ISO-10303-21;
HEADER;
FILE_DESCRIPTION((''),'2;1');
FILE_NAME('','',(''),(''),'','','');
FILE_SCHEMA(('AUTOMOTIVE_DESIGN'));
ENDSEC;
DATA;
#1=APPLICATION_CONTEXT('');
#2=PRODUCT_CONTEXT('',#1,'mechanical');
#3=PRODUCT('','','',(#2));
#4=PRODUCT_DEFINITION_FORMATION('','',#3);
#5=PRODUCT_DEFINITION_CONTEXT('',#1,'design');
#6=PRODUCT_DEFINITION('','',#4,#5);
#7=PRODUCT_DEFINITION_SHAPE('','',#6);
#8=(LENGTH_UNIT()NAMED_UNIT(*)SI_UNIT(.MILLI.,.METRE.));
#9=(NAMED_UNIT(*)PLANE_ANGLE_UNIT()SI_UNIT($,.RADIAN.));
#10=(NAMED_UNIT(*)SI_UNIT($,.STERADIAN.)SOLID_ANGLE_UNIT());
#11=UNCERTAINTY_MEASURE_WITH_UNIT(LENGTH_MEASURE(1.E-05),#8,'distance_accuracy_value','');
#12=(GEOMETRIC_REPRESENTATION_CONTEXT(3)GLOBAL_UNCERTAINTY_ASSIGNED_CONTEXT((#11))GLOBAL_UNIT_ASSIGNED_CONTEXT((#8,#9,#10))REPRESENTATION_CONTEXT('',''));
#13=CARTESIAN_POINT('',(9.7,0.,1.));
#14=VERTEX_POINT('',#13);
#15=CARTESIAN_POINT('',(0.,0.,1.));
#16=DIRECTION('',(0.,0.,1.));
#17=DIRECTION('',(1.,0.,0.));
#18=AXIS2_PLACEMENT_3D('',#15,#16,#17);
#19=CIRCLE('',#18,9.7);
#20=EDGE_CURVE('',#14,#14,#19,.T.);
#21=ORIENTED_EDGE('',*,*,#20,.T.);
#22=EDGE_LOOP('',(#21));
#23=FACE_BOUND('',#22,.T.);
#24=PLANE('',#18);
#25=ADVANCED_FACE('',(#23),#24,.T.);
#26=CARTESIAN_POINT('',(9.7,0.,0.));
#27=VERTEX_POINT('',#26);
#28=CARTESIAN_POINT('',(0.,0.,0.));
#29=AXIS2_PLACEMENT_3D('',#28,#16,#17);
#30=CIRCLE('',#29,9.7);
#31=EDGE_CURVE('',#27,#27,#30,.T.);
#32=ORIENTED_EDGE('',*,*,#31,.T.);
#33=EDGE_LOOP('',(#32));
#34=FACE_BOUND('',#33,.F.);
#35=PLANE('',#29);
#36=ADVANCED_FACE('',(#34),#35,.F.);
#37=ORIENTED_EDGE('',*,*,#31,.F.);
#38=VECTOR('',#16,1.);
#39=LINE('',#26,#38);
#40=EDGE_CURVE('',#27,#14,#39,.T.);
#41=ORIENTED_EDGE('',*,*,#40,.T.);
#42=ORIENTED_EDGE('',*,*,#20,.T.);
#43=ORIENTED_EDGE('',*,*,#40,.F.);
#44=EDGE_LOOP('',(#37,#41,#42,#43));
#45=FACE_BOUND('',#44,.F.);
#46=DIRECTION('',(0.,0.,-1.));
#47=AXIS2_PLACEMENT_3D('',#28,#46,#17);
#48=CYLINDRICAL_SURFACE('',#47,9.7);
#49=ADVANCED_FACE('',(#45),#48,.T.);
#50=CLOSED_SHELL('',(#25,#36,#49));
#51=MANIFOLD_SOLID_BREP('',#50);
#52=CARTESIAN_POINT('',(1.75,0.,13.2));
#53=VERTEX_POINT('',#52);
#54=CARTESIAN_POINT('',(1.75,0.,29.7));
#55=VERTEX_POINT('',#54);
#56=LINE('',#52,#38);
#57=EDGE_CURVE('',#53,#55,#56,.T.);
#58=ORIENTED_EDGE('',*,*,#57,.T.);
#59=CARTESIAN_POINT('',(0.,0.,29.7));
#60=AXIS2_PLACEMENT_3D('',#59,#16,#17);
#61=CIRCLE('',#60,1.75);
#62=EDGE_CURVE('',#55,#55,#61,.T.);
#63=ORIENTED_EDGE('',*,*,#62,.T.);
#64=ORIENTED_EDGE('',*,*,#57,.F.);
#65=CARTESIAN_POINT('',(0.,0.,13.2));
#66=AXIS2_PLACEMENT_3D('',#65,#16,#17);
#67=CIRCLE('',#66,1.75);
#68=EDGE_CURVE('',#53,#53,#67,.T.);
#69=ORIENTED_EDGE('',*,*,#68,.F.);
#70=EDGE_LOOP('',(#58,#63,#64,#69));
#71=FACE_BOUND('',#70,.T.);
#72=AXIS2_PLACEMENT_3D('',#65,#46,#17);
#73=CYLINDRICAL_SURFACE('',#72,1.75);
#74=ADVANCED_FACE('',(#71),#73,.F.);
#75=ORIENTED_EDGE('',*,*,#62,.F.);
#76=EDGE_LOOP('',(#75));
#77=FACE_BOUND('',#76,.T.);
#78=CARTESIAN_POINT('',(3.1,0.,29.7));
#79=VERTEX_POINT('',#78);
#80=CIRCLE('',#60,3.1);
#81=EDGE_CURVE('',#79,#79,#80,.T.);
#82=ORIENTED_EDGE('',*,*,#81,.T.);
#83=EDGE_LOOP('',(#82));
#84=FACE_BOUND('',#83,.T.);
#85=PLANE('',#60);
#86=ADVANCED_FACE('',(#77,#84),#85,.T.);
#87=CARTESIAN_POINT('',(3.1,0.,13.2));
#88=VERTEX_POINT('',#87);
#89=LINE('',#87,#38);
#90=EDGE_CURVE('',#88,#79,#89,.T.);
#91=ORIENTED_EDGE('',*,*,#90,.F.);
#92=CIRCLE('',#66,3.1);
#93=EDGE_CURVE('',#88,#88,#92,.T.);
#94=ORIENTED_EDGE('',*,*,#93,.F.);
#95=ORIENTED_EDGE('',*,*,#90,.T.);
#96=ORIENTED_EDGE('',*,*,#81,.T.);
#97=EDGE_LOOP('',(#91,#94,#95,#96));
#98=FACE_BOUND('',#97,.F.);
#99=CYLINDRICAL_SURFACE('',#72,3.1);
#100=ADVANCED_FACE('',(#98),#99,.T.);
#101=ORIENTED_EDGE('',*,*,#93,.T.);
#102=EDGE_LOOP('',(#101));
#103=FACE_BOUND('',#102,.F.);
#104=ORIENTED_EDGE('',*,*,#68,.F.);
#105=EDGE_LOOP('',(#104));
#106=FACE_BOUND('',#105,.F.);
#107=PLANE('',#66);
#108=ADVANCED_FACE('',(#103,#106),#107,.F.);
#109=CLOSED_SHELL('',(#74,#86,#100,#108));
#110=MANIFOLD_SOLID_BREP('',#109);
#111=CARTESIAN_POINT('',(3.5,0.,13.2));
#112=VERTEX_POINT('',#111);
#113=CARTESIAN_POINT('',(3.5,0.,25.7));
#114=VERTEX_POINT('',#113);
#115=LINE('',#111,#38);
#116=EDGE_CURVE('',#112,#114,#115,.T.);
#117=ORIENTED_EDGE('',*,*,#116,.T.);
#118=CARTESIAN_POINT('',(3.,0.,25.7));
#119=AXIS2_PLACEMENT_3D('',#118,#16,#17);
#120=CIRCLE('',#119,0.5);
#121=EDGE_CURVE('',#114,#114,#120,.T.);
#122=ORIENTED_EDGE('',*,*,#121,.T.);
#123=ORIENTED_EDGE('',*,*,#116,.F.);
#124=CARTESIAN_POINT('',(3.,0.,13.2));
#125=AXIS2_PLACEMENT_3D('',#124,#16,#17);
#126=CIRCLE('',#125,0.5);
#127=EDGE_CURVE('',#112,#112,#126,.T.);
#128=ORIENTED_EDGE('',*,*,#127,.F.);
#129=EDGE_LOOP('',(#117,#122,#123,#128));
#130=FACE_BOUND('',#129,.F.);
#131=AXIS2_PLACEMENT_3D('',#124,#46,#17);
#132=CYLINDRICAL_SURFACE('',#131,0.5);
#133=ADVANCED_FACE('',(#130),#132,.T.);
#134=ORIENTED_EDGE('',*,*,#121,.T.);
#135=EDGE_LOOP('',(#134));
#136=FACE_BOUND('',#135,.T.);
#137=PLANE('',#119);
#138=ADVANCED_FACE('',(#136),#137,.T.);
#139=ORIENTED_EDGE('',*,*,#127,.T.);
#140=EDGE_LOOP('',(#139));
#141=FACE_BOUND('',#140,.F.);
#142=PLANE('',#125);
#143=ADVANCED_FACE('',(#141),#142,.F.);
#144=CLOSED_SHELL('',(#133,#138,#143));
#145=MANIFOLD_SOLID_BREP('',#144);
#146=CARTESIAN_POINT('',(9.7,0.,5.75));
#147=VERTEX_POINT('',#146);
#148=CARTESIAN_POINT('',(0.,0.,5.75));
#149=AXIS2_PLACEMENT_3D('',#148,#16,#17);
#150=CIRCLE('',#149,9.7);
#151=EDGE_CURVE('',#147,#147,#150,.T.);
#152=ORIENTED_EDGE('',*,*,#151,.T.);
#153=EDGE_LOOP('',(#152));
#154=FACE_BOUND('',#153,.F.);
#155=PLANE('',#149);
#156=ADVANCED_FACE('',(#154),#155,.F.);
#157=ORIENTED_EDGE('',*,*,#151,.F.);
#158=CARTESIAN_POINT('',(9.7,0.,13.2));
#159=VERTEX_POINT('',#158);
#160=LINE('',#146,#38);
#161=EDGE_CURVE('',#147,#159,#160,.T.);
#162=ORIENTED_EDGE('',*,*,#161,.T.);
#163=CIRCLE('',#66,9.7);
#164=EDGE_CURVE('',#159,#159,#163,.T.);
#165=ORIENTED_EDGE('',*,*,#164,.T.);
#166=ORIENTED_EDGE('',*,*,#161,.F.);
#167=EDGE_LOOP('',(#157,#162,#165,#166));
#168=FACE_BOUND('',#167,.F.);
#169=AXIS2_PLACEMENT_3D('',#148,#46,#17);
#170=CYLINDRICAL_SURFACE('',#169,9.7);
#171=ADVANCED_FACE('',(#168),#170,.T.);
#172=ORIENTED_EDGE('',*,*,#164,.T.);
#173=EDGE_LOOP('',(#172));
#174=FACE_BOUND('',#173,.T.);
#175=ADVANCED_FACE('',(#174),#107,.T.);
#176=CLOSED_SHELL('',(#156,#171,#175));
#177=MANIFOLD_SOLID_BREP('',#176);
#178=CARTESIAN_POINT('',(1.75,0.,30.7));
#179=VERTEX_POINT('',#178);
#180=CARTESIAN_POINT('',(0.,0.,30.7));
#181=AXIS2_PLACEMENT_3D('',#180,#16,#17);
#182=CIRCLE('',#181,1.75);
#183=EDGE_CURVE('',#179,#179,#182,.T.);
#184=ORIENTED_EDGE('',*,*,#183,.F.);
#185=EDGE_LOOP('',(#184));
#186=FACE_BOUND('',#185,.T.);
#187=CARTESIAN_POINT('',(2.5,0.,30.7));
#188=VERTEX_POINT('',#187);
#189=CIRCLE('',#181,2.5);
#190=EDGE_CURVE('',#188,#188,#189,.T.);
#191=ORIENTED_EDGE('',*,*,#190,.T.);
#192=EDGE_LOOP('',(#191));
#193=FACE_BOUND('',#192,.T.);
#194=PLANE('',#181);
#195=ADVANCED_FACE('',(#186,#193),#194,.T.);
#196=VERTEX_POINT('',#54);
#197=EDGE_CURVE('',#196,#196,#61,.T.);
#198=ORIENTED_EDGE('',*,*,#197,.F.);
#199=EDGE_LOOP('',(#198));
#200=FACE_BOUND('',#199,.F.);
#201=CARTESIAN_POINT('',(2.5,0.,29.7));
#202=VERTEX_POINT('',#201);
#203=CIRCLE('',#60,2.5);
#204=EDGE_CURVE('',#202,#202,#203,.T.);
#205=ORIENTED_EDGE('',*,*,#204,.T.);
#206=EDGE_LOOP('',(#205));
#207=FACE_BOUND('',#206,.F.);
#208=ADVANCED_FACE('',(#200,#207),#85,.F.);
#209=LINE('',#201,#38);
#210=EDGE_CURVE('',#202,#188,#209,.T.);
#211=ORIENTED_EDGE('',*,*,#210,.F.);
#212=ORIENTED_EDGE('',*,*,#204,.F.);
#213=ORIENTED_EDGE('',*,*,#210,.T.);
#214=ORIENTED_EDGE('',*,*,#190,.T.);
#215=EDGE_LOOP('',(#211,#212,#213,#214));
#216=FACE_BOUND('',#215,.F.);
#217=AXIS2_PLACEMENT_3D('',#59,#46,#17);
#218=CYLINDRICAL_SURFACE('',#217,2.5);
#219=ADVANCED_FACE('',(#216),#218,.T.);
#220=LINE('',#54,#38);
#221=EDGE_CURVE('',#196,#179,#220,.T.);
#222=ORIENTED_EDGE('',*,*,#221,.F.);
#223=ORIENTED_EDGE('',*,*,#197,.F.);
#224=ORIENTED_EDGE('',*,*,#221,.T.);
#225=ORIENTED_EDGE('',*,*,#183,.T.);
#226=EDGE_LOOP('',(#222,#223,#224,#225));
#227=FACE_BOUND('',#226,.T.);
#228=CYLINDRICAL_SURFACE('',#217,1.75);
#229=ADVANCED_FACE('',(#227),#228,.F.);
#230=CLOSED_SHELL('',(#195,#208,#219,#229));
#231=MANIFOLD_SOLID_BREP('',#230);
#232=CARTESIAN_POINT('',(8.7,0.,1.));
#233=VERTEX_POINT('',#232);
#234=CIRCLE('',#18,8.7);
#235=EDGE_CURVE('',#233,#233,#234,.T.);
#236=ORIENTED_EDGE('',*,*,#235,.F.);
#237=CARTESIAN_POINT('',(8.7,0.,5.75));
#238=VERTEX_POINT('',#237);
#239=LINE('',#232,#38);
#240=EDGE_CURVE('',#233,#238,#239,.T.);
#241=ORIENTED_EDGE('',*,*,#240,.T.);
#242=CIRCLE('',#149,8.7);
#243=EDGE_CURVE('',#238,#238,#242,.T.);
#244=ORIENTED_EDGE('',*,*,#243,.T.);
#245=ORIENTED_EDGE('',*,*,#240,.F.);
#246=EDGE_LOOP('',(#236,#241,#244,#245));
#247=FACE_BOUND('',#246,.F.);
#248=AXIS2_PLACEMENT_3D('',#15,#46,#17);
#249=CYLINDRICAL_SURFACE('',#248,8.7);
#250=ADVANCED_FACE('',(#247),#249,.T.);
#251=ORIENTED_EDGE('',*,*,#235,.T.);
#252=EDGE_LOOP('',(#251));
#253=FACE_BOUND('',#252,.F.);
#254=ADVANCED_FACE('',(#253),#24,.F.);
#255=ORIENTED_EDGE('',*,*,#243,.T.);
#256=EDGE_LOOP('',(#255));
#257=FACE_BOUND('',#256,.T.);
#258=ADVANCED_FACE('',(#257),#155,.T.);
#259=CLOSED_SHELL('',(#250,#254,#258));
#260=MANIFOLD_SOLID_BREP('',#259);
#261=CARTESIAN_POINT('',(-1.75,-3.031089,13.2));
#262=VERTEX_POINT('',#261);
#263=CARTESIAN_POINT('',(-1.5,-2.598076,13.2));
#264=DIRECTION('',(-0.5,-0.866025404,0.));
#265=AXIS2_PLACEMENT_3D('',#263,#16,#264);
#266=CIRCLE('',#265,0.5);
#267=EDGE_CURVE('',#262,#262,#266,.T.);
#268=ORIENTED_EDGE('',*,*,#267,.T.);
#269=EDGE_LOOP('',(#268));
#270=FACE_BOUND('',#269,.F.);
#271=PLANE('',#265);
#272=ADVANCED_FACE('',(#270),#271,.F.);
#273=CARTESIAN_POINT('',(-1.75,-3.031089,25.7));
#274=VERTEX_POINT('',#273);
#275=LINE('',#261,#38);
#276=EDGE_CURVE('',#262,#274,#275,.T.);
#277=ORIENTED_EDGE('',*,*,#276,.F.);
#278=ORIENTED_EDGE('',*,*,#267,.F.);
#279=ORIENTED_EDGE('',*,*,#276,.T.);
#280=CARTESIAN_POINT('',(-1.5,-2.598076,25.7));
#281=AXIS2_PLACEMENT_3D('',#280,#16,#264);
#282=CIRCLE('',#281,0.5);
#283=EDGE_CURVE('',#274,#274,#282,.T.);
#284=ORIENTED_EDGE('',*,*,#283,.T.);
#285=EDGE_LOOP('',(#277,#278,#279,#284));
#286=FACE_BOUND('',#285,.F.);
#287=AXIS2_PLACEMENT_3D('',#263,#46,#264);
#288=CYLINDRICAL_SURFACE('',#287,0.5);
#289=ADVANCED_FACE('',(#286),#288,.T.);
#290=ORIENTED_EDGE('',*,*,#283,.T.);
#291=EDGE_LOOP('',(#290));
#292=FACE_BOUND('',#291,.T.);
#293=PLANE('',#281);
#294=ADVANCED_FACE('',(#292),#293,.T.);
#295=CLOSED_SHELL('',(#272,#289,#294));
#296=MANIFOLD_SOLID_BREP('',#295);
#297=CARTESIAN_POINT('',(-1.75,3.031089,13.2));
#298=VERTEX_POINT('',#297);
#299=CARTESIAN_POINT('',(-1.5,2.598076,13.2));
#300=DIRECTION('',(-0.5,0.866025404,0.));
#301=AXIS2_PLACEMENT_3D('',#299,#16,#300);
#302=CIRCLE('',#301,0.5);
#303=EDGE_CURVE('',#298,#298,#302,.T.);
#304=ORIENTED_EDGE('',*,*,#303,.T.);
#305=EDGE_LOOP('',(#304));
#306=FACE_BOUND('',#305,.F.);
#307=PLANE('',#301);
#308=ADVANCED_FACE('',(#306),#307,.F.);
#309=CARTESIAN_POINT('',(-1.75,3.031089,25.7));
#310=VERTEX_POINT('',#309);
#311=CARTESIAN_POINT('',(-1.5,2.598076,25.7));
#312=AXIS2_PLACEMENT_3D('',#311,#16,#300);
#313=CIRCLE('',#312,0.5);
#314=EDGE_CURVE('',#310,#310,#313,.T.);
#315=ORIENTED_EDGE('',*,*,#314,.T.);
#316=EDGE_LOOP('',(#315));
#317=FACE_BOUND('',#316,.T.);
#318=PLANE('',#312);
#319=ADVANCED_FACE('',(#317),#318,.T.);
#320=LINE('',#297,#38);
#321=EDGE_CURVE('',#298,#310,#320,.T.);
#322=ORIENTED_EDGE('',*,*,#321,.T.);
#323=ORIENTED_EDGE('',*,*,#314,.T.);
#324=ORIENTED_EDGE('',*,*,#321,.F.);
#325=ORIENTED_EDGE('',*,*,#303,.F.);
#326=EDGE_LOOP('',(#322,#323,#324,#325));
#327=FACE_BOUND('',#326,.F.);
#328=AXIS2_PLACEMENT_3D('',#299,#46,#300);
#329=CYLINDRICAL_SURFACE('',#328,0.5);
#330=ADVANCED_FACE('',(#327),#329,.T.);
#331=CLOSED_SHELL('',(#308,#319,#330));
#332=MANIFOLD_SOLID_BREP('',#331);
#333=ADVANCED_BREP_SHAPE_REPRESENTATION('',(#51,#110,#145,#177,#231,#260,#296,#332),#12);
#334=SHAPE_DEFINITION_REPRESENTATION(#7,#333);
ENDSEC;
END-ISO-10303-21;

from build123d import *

# Parameters (mm, degrees)
CYLINDER_R                  = 9.7
CYLINDER_DEPTH              = 7.45
CYLINDER001_R               = 8.7
CYLINDER001_DEPTH           = 4.75
CYLINDER002_R               = 9.7
CYLINDER002_DEPTH           = 1
CYLINDER006_R               = 0.5
CYLINDER006_DEPTH           = 12.5
CYLINDER007_R               = 1.75
CYLINDER007_DEPTH           = 16.5
CYLINDER003_R               = 3.1
CYLINDER003_DEPTH           = 16.5
CYLINDER005_R               = 1.75
CYLINDER005_DEPTH           = 1
CYLINDER004_R               = 2.5
CYLINDER004_DEPTH           = 1
CYLINDER008_R               = 0.5
CYLINDER008_DEPTH           = 12.5
CYLINDER008_PLACEMENT_ANGLE = 120
CYLINDER009_R               = 0.5
CYLINDER009_DEPTH           = 12.5
CYLINDER009_PLACEMENT_ANGLE = 240


with BuildPart() as bottom_upper:
    # Cylinder → Cylinder (new body)
    with BuildSketch(Plane.XY.offset(5.75)):
        Circle(CYLINDER_R)
    extrude(amount=CYLINDER_DEPTH)


with BuildPart() as cable_tie_groove:
    # Cylinder001 → Cylinder001 (new body)
    with BuildSketch(Plane.XY.offset(1)):
        Circle(CYLINDER001_R)
    extrude(amount=CYLINDER001_DEPTH)


with BuildPart() as bottom_lower:
    # Cylinder002 → Cylinder002 (new body)
    with BuildSketch(Plane.XY):
        Circle(CYLINDER002_R)
    extrude(amount=CYLINDER002_DEPTH)


with BuildPart() as cylinder006:
    # Cylinder006 → Cylinder006 (new body)
    with BuildSketch(Plane(origin=(3, 0, 13.2), x_dir=(1, 0, 0), z_dir=(0, 0, 1))):
        Circle(CYLINDER006_R)
    extrude(amount=CYLINDER006_DEPTH)


with BuildPart() as cylinder007:
    # Cylinder007 → Cylinder007 (new body)
    with BuildSketch(Plane.XY.offset(13.2)):
        Circle(CYLINDER007_R)
    extrude(amount=CYLINDER007_DEPTH)


with BuildPart() as cut:
    # Cylinder003 → Cylinder003 (new body)
    with BuildSketch(Plane.XY.offset(13.2)):
        Circle(CYLINDER003_R)
    extrude(amount=CYLINDER003_DEPTH)

    # Cut: cut Cylinder007
    add(cylinder007.part, mode=Mode.SUBTRACT)


with BuildPart() as cylinder005:
    # Cylinder005 → Cylinder005 (new body)
    with BuildSketch(Plane.XY.offset(29.7)):
        Circle(CYLINDER005_R)
    extrude(amount=CYLINDER005_DEPTH)


with BuildPart() as cut001:
    # Cylinder004 → Cylinder004 (new body)
    with BuildSketch(Plane.XY.offset(29.7)):
        Circle(CYLINDER004_R)
    extrude(amount=CYLINDER004_DEPTH)

    # Cut001: cut Cylinder005
    add(cylinder005.part, mode=Mode.SUBTRACT)


with BuildPart() as cylinder008:
    # Cylinder008 → Cylinder008 (new body)
    with BuildSketch(Plane.XY):
        Circle(CYLINDER008_R)
    extrude(amount=CYLINDER008_DEPTH)


with BuildPart() as cylinder008_1:
    # Cylinder008 placement: moved
    add(cylinder008.part.moved(Location((-1.5, 2.598076, 13.2))).rotate(Axis((-1.5, 2.598076, 13.2), (0, 0, 1)), CYLINDER008_PLACEMENT_ANGLE))


with BuildPart() as cylinder009:
    # Cylinder009 → Cylinder009 (new body)
    with BuildSketch(Plane.XY):
        Circle(CYLINDER009_R)
    extrude(amount=CYLINDER009_DEPTH)


with BuildPart() as cylinder009_1:
    # Cylinder009 placement: moved
    add(cylinder009.part.moved(Location((-1.5, -2.598076, 13.2))).rotate(Axis((-1.5, -2.598076, 13.2), (0, 0, 1)), CYLINDER009_PLACEMENT_ANGLE))


solid = Compound([bottom_upper.part, cable_tie_groove.part, bottom_lower.part, cylinder006.part, cut.part, cut001.part, cylinder008_1.part, cylinder009_1.part])
